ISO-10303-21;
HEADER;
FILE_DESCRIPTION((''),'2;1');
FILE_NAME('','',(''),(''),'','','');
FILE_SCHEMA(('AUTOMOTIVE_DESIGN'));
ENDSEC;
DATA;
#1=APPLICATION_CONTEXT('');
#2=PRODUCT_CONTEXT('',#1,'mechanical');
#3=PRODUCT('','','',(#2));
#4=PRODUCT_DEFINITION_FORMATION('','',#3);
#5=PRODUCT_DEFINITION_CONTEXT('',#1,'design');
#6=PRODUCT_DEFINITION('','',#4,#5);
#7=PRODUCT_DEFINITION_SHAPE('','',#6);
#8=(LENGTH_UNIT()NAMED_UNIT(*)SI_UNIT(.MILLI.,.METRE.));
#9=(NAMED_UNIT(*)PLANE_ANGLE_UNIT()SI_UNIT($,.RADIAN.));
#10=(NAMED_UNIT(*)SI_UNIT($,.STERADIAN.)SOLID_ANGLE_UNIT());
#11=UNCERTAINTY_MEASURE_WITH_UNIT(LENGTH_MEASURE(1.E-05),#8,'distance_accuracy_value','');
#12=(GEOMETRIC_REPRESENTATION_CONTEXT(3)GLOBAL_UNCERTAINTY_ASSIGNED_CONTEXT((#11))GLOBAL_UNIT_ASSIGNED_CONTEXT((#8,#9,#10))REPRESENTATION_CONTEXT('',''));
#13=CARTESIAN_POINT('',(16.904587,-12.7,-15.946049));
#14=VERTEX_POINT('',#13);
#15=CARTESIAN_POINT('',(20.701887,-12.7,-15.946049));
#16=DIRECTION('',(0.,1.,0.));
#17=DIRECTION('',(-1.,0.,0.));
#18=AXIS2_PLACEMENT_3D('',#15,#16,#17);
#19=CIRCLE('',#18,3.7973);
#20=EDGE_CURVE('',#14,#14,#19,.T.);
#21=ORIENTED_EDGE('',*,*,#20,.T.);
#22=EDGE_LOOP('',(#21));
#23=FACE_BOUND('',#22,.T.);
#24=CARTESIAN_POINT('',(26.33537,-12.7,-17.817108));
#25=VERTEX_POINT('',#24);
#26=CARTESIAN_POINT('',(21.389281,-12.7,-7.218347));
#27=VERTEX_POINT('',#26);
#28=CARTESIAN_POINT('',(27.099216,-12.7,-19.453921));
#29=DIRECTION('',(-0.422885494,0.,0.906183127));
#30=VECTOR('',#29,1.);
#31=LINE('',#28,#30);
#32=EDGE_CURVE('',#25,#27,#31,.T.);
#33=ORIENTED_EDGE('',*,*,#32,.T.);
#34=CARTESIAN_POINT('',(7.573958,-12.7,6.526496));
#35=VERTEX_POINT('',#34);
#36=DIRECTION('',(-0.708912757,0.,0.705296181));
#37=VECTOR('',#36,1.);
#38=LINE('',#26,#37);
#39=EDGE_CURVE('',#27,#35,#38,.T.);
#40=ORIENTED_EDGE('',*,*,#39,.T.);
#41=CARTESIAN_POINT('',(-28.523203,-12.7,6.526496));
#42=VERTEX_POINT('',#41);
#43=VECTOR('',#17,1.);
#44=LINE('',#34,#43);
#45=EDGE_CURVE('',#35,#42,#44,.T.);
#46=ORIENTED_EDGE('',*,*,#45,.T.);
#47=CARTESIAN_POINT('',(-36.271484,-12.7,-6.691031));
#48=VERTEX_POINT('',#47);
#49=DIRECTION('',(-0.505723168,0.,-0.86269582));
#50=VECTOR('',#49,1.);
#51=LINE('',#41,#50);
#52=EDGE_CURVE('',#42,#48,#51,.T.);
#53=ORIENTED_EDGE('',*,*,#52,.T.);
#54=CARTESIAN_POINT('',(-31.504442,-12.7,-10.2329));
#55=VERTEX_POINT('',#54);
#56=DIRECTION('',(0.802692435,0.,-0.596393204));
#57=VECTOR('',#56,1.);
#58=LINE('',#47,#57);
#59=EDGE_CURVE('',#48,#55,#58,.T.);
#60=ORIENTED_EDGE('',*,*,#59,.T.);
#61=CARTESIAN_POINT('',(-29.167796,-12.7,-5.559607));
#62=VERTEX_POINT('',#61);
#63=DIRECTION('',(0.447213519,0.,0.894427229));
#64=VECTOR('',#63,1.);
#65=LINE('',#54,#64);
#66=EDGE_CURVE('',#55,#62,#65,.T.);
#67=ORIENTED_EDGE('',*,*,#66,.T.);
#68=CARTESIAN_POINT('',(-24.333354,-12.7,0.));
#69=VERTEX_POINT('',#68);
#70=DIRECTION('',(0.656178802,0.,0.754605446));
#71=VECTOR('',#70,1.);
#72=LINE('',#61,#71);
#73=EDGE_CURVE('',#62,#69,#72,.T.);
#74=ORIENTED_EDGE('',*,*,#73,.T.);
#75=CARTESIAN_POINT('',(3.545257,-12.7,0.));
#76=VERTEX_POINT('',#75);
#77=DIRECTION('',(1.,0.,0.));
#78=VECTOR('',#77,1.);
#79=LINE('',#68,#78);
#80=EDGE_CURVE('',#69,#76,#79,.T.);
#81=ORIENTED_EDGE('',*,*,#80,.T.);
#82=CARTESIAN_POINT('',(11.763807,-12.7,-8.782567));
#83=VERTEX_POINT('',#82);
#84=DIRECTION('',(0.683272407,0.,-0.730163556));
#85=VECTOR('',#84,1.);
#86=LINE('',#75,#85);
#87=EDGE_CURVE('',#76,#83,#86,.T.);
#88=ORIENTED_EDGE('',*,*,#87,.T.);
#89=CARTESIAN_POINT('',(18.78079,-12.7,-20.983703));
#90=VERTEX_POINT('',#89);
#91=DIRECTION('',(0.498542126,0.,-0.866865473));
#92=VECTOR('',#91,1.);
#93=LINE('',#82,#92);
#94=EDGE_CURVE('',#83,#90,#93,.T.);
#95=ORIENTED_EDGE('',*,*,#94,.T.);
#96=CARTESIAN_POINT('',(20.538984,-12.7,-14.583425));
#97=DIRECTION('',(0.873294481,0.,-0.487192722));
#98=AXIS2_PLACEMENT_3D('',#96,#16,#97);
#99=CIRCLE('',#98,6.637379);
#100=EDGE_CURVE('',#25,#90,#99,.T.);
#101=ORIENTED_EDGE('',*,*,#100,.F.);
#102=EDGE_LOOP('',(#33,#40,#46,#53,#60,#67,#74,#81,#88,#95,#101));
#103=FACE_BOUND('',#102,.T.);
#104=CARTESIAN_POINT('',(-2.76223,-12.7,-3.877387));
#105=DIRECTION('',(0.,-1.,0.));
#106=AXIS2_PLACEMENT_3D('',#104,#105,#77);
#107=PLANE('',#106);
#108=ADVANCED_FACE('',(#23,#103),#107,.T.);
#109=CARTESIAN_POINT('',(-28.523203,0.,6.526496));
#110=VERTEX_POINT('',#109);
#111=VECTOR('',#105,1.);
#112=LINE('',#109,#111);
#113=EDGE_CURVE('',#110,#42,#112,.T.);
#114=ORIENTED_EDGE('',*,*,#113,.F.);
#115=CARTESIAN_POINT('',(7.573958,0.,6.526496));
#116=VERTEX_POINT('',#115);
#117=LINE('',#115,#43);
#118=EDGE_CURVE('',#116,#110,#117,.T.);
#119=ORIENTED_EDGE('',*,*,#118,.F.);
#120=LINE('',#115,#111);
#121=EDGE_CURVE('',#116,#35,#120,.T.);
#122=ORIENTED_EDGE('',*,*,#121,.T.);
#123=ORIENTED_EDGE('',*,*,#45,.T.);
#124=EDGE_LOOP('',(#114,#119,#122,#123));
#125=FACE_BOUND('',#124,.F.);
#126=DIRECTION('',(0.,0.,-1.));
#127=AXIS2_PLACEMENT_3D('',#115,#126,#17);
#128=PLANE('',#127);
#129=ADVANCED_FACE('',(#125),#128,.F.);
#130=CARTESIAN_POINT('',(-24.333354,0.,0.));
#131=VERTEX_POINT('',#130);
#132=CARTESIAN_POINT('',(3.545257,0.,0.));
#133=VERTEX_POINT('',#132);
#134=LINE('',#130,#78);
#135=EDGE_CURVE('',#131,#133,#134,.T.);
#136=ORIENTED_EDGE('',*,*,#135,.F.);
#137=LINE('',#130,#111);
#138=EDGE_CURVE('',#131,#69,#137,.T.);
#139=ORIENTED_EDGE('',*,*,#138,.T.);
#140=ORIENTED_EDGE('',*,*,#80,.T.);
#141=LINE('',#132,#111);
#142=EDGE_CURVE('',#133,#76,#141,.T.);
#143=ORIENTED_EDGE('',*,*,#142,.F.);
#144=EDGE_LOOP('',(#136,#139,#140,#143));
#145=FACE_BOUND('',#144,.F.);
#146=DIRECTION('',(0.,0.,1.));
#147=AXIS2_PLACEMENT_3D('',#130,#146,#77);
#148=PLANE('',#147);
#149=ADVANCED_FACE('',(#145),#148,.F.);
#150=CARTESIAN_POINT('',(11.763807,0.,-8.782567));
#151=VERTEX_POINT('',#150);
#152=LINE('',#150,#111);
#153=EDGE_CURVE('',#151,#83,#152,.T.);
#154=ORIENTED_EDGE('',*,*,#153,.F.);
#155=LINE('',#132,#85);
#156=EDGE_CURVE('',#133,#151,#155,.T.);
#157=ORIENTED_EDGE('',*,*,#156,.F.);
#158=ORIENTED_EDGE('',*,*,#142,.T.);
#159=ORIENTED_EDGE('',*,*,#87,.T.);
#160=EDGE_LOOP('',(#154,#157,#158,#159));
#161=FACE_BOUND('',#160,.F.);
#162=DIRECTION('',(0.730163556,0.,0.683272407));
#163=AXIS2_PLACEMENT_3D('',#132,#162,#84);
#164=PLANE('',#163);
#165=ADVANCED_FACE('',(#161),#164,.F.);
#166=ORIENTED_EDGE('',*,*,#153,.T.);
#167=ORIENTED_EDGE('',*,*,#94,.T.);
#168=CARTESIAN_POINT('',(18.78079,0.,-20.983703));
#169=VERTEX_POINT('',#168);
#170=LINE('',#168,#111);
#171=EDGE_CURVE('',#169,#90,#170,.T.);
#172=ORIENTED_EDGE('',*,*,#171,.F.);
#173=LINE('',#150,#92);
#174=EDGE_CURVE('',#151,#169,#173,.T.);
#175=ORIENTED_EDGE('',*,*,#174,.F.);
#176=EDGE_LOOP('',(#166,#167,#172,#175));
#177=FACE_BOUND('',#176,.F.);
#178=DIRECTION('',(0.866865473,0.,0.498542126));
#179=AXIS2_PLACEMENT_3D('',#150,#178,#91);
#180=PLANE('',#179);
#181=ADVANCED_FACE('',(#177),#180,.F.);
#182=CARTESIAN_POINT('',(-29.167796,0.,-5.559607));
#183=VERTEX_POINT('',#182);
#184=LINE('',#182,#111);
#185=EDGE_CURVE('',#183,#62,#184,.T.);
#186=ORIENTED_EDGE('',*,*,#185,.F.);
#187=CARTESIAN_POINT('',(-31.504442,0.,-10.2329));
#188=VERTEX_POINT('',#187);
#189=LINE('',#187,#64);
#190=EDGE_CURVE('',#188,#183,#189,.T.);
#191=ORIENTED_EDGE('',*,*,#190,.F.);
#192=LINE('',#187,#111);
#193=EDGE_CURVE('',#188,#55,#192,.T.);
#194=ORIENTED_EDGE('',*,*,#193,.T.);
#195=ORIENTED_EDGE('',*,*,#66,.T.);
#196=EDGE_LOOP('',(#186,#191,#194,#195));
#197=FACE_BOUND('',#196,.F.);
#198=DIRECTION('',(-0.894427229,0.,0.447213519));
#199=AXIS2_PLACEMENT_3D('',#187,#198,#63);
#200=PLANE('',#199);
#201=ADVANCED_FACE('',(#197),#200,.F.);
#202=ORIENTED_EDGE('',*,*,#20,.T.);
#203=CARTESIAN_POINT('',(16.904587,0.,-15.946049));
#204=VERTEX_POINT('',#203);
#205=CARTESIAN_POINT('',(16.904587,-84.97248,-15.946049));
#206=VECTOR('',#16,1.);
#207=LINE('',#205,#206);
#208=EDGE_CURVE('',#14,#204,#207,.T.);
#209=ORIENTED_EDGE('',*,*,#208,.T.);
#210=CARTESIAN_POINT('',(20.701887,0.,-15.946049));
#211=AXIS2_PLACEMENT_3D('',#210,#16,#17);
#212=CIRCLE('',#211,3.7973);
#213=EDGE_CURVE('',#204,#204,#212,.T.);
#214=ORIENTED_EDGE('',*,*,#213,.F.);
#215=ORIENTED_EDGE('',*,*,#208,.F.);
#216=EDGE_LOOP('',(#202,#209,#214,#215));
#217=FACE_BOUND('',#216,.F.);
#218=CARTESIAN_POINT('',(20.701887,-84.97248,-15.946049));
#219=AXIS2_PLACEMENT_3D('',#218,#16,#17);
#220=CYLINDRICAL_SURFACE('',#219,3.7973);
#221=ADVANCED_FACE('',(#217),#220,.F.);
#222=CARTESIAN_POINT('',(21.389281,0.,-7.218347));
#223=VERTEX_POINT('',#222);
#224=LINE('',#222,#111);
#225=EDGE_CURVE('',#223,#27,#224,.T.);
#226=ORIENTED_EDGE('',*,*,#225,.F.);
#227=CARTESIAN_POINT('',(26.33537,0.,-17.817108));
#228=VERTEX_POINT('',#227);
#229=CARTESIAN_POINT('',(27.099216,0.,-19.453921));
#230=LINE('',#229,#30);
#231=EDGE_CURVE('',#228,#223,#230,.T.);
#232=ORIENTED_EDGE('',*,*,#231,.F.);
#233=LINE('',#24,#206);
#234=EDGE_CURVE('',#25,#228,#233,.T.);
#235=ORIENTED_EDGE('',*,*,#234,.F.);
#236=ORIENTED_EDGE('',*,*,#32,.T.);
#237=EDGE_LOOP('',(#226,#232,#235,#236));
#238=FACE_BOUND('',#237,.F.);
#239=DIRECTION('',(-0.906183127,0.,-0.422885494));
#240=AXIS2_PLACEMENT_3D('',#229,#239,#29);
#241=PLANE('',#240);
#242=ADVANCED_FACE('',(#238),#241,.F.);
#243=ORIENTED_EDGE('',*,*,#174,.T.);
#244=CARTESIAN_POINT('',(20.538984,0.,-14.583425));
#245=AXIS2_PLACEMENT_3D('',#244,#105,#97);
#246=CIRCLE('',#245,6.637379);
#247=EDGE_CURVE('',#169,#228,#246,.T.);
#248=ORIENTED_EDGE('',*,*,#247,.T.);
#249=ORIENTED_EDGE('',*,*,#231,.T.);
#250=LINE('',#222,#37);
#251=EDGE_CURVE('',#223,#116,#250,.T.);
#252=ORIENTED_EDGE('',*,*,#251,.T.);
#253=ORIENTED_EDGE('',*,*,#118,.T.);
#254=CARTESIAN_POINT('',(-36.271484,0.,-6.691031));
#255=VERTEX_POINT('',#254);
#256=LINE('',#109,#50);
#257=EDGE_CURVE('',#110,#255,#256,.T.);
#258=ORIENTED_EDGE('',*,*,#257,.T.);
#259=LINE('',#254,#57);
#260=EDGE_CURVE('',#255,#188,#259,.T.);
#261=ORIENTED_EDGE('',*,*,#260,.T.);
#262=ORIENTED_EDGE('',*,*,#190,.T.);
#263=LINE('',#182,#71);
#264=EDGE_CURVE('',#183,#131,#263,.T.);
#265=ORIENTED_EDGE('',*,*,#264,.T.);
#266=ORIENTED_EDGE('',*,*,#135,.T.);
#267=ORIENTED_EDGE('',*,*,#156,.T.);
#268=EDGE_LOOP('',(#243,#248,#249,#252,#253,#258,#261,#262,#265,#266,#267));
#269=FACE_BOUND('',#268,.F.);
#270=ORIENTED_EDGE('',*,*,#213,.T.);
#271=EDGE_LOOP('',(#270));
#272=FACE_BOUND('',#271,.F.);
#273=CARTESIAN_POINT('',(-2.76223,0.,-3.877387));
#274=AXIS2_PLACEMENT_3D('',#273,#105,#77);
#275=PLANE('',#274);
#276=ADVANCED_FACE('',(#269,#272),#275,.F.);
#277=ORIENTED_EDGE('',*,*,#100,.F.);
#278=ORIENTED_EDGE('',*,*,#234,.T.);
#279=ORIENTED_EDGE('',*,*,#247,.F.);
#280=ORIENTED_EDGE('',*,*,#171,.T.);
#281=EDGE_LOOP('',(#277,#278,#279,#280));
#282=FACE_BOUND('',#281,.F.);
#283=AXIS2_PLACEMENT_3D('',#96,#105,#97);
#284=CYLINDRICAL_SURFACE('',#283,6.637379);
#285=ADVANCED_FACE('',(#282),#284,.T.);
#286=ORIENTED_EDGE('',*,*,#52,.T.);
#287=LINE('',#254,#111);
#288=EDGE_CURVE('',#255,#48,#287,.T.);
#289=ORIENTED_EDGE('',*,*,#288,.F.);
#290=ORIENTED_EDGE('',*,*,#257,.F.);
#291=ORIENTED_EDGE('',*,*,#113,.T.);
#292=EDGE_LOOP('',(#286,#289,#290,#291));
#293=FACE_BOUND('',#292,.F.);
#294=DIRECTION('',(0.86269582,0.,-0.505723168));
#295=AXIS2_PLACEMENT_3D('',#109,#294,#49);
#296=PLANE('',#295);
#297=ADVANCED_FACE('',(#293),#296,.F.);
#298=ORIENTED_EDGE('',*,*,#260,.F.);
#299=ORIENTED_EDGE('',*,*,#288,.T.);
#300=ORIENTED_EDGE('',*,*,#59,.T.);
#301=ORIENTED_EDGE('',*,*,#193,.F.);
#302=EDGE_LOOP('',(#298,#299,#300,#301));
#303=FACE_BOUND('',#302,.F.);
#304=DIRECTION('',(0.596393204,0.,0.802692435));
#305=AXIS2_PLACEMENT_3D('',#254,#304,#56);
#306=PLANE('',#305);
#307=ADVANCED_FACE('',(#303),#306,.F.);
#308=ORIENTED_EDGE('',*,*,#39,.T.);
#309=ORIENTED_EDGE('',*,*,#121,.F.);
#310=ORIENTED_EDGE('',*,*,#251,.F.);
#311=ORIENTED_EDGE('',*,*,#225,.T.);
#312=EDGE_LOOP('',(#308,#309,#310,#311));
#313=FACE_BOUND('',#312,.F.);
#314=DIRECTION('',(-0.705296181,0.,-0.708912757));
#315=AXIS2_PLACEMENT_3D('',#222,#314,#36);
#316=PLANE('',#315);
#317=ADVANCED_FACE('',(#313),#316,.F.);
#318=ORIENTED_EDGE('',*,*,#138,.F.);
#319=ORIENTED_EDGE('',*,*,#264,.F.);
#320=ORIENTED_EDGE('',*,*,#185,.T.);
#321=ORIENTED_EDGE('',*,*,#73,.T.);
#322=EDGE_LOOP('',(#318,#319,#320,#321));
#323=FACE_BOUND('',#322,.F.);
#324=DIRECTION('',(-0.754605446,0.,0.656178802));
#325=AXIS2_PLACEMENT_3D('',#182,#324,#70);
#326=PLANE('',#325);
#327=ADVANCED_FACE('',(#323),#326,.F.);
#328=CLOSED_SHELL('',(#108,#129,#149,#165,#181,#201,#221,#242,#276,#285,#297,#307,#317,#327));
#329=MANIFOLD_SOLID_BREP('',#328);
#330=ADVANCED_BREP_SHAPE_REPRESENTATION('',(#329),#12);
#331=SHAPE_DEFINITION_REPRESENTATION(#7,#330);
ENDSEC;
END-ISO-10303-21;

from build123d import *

# Parameters (mm, degrees)
F1_DEPTH = 12.7
F3_D     = 7.5946
F5_DEPTH = 25.4


with BuildPart() as f1:
    # F0 (on Front) → F1 (new body)
    with BuildSketch(Plane.XZ):
        Polygon((-29.167796, -5.559607), (-24.333354, 0), (3.545257, 0), (11.763807, -8.782567), (18.78079, -20.983703), (21.036864, -25.818144), (22.326047, -25.818144), (27.099216, -19.453921), (21.389281, -7.218347), (7.573958, 6.526496), (-28.523203, 6.526496), (-36.271484, -6.691031), (-31.504442, -10.2329), align=None)
    extrude(amount=F1_DEPTH)

    # F3 (through all)
    with Locations(Plane.XZ.offset(12.7)):
        with Locations((20.701887, -15.946049)):
            Hole(F3_D / 2)

    # F4 (on face) → F5 (cut)
    with BuildSketch(Plane.XZ.offset(12.7)):
        with BuildLine():
            ThreePointArc((26.33537, -17.817108), (23.104833, -20.704799), (18.78079, -20.983703))
            Line((18.78079, -20.983703), (21.036864, -25.818144))
            Line((21.036864, -25.818144), (22.326047, -25.818144))
            Line((22.326047, -25.818144), (27.099216, -19.453921))
            Line((27.099216, -19.453921), (26.33537, -17.817108))
        make_face()
    extrude(amount=-F5_DEPTH, mode=Mode.SUBTRACT)


solid = f1.part
